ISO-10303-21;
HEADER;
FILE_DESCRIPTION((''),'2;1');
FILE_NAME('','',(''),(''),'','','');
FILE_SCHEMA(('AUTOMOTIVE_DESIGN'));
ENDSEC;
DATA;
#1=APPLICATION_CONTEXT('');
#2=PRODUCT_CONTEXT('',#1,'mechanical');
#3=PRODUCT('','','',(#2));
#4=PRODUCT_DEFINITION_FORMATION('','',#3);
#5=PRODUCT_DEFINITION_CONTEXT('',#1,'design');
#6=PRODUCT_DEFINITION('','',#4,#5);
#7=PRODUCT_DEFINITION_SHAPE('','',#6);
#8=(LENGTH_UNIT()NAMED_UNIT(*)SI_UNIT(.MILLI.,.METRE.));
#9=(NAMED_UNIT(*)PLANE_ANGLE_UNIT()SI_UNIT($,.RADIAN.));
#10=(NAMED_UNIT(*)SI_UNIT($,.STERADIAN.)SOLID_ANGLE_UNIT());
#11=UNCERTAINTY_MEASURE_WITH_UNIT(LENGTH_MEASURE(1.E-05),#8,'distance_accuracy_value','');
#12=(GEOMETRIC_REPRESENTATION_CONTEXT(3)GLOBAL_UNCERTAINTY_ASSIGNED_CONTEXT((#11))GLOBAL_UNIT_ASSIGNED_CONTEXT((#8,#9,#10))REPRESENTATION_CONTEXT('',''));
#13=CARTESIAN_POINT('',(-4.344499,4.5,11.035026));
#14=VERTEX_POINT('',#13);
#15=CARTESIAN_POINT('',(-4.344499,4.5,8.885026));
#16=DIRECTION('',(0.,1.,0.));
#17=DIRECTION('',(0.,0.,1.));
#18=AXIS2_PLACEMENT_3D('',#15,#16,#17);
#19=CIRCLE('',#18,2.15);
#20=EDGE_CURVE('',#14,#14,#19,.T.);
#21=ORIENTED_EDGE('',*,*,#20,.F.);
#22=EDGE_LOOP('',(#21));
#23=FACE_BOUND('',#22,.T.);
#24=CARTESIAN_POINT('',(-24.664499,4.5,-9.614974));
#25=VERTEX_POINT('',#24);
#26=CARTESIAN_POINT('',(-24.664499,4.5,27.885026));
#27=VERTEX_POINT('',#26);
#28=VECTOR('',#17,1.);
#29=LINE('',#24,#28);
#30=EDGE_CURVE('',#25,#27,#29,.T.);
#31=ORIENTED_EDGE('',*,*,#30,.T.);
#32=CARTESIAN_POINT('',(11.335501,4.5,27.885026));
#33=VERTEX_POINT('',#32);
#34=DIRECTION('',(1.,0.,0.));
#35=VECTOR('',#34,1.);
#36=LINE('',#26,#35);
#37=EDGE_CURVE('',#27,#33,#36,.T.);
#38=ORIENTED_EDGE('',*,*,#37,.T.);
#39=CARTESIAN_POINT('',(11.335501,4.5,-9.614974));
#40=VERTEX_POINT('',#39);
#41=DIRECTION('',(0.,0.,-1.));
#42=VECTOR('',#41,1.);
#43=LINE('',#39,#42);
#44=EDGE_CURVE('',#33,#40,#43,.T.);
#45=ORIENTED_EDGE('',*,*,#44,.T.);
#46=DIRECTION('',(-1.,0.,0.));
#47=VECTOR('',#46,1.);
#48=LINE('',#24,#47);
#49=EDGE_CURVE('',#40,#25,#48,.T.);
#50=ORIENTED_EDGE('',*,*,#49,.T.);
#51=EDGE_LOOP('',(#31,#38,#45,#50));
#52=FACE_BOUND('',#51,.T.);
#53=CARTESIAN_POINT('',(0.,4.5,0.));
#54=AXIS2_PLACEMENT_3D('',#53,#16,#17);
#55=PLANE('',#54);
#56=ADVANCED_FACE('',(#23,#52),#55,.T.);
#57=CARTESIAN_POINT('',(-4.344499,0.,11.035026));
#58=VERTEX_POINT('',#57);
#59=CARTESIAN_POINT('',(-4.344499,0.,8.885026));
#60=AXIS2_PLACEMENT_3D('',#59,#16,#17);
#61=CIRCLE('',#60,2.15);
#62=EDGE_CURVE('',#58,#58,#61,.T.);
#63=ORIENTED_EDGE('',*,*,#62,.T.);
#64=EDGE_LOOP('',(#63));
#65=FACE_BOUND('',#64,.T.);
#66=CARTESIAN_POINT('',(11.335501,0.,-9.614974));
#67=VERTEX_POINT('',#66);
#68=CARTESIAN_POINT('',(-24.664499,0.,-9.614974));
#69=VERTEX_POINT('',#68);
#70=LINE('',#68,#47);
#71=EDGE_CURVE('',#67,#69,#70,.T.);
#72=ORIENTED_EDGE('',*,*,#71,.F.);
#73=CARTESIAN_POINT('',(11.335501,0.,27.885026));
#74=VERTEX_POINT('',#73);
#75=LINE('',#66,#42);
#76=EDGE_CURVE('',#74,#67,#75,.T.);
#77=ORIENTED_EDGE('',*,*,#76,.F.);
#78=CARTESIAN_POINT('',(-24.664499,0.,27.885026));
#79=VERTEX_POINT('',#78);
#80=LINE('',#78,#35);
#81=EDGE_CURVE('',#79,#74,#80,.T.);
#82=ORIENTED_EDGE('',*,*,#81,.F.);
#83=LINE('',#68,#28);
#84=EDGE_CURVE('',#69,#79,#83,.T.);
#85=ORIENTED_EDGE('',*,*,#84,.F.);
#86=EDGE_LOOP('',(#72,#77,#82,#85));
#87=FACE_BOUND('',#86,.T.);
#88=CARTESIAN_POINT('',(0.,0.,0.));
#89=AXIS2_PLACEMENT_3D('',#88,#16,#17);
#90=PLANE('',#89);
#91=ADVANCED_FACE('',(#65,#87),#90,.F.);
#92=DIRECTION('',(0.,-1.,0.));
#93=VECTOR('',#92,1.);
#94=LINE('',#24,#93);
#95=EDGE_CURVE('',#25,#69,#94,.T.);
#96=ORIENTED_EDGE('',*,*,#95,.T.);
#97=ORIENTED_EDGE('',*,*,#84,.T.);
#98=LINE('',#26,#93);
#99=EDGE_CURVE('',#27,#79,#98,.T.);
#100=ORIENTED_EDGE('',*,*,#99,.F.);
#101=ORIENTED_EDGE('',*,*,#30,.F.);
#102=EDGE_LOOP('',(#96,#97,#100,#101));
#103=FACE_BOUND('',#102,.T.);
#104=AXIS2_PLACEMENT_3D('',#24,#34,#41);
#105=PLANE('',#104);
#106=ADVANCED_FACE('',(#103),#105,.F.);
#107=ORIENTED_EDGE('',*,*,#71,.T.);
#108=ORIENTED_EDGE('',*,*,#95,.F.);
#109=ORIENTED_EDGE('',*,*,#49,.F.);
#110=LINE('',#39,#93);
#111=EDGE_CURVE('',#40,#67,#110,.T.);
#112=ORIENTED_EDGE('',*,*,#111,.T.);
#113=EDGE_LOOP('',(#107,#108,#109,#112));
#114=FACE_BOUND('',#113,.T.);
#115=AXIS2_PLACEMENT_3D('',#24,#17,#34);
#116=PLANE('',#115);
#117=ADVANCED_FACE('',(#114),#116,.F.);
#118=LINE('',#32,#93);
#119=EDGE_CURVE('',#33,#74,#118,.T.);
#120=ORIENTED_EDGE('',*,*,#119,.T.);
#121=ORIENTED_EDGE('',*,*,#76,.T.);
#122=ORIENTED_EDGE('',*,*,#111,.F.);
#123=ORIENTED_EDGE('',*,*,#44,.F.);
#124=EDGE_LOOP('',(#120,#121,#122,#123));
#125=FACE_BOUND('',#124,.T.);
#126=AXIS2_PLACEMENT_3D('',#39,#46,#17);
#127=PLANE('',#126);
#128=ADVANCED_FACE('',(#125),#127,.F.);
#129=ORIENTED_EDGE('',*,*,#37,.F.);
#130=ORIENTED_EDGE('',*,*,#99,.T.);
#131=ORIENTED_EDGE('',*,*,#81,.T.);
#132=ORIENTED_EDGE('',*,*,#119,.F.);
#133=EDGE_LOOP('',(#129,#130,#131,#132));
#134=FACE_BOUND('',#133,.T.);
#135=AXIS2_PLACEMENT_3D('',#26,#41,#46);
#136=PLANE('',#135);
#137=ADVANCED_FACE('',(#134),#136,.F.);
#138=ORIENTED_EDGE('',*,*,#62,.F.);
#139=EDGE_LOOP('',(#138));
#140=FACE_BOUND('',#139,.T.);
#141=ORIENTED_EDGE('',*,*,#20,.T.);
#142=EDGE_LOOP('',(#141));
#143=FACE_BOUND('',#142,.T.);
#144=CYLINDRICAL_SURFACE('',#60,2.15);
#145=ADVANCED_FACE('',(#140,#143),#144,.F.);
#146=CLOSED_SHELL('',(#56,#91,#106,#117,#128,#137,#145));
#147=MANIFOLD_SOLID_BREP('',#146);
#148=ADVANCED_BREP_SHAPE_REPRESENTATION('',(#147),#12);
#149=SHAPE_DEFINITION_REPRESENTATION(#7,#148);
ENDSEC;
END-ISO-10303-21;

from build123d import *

# Parameters (mm, degrees)
SKETCH1_W           = 36
SKETCH1_H           = 37.5
BOSS_EXTRUDE1_DEPTH = 4.5
SKETCH2_R           = 2.15
CUT_EXTRUDE1_DEPTH  = 5.5


with BuildPart() as part:
    # Sketch1 → Boss-Extrude1 (new body)
    with BuildSketch(Plane(origin=(0, 0, 0), x_dir=(1, 0, 0), z_dir=(0, 1, 0))):
        with Locations((-6.66449877, -9.135025903)):
            Rectangle(SKETCH1_W, SKETCH1_H)
    extrude(amount=BOSS_EXTRUDE1_DEPTH)

    # Sketch2 → Cut-Extrude1 (cut, through all)
    with BuildSketch(Plane(origin=(0, 4.5, 0), x_dir=(1, 0, 0), z_dir=(0, 1, 0))):
        with Locations((-4.34449877, -8.885025903)):
            Circle(SKETCH2_R)
    extrude(amount=-CUT_EXTRUDE1_DEPTH, mode=Mode.SUBTRACT)


solid = part.part
